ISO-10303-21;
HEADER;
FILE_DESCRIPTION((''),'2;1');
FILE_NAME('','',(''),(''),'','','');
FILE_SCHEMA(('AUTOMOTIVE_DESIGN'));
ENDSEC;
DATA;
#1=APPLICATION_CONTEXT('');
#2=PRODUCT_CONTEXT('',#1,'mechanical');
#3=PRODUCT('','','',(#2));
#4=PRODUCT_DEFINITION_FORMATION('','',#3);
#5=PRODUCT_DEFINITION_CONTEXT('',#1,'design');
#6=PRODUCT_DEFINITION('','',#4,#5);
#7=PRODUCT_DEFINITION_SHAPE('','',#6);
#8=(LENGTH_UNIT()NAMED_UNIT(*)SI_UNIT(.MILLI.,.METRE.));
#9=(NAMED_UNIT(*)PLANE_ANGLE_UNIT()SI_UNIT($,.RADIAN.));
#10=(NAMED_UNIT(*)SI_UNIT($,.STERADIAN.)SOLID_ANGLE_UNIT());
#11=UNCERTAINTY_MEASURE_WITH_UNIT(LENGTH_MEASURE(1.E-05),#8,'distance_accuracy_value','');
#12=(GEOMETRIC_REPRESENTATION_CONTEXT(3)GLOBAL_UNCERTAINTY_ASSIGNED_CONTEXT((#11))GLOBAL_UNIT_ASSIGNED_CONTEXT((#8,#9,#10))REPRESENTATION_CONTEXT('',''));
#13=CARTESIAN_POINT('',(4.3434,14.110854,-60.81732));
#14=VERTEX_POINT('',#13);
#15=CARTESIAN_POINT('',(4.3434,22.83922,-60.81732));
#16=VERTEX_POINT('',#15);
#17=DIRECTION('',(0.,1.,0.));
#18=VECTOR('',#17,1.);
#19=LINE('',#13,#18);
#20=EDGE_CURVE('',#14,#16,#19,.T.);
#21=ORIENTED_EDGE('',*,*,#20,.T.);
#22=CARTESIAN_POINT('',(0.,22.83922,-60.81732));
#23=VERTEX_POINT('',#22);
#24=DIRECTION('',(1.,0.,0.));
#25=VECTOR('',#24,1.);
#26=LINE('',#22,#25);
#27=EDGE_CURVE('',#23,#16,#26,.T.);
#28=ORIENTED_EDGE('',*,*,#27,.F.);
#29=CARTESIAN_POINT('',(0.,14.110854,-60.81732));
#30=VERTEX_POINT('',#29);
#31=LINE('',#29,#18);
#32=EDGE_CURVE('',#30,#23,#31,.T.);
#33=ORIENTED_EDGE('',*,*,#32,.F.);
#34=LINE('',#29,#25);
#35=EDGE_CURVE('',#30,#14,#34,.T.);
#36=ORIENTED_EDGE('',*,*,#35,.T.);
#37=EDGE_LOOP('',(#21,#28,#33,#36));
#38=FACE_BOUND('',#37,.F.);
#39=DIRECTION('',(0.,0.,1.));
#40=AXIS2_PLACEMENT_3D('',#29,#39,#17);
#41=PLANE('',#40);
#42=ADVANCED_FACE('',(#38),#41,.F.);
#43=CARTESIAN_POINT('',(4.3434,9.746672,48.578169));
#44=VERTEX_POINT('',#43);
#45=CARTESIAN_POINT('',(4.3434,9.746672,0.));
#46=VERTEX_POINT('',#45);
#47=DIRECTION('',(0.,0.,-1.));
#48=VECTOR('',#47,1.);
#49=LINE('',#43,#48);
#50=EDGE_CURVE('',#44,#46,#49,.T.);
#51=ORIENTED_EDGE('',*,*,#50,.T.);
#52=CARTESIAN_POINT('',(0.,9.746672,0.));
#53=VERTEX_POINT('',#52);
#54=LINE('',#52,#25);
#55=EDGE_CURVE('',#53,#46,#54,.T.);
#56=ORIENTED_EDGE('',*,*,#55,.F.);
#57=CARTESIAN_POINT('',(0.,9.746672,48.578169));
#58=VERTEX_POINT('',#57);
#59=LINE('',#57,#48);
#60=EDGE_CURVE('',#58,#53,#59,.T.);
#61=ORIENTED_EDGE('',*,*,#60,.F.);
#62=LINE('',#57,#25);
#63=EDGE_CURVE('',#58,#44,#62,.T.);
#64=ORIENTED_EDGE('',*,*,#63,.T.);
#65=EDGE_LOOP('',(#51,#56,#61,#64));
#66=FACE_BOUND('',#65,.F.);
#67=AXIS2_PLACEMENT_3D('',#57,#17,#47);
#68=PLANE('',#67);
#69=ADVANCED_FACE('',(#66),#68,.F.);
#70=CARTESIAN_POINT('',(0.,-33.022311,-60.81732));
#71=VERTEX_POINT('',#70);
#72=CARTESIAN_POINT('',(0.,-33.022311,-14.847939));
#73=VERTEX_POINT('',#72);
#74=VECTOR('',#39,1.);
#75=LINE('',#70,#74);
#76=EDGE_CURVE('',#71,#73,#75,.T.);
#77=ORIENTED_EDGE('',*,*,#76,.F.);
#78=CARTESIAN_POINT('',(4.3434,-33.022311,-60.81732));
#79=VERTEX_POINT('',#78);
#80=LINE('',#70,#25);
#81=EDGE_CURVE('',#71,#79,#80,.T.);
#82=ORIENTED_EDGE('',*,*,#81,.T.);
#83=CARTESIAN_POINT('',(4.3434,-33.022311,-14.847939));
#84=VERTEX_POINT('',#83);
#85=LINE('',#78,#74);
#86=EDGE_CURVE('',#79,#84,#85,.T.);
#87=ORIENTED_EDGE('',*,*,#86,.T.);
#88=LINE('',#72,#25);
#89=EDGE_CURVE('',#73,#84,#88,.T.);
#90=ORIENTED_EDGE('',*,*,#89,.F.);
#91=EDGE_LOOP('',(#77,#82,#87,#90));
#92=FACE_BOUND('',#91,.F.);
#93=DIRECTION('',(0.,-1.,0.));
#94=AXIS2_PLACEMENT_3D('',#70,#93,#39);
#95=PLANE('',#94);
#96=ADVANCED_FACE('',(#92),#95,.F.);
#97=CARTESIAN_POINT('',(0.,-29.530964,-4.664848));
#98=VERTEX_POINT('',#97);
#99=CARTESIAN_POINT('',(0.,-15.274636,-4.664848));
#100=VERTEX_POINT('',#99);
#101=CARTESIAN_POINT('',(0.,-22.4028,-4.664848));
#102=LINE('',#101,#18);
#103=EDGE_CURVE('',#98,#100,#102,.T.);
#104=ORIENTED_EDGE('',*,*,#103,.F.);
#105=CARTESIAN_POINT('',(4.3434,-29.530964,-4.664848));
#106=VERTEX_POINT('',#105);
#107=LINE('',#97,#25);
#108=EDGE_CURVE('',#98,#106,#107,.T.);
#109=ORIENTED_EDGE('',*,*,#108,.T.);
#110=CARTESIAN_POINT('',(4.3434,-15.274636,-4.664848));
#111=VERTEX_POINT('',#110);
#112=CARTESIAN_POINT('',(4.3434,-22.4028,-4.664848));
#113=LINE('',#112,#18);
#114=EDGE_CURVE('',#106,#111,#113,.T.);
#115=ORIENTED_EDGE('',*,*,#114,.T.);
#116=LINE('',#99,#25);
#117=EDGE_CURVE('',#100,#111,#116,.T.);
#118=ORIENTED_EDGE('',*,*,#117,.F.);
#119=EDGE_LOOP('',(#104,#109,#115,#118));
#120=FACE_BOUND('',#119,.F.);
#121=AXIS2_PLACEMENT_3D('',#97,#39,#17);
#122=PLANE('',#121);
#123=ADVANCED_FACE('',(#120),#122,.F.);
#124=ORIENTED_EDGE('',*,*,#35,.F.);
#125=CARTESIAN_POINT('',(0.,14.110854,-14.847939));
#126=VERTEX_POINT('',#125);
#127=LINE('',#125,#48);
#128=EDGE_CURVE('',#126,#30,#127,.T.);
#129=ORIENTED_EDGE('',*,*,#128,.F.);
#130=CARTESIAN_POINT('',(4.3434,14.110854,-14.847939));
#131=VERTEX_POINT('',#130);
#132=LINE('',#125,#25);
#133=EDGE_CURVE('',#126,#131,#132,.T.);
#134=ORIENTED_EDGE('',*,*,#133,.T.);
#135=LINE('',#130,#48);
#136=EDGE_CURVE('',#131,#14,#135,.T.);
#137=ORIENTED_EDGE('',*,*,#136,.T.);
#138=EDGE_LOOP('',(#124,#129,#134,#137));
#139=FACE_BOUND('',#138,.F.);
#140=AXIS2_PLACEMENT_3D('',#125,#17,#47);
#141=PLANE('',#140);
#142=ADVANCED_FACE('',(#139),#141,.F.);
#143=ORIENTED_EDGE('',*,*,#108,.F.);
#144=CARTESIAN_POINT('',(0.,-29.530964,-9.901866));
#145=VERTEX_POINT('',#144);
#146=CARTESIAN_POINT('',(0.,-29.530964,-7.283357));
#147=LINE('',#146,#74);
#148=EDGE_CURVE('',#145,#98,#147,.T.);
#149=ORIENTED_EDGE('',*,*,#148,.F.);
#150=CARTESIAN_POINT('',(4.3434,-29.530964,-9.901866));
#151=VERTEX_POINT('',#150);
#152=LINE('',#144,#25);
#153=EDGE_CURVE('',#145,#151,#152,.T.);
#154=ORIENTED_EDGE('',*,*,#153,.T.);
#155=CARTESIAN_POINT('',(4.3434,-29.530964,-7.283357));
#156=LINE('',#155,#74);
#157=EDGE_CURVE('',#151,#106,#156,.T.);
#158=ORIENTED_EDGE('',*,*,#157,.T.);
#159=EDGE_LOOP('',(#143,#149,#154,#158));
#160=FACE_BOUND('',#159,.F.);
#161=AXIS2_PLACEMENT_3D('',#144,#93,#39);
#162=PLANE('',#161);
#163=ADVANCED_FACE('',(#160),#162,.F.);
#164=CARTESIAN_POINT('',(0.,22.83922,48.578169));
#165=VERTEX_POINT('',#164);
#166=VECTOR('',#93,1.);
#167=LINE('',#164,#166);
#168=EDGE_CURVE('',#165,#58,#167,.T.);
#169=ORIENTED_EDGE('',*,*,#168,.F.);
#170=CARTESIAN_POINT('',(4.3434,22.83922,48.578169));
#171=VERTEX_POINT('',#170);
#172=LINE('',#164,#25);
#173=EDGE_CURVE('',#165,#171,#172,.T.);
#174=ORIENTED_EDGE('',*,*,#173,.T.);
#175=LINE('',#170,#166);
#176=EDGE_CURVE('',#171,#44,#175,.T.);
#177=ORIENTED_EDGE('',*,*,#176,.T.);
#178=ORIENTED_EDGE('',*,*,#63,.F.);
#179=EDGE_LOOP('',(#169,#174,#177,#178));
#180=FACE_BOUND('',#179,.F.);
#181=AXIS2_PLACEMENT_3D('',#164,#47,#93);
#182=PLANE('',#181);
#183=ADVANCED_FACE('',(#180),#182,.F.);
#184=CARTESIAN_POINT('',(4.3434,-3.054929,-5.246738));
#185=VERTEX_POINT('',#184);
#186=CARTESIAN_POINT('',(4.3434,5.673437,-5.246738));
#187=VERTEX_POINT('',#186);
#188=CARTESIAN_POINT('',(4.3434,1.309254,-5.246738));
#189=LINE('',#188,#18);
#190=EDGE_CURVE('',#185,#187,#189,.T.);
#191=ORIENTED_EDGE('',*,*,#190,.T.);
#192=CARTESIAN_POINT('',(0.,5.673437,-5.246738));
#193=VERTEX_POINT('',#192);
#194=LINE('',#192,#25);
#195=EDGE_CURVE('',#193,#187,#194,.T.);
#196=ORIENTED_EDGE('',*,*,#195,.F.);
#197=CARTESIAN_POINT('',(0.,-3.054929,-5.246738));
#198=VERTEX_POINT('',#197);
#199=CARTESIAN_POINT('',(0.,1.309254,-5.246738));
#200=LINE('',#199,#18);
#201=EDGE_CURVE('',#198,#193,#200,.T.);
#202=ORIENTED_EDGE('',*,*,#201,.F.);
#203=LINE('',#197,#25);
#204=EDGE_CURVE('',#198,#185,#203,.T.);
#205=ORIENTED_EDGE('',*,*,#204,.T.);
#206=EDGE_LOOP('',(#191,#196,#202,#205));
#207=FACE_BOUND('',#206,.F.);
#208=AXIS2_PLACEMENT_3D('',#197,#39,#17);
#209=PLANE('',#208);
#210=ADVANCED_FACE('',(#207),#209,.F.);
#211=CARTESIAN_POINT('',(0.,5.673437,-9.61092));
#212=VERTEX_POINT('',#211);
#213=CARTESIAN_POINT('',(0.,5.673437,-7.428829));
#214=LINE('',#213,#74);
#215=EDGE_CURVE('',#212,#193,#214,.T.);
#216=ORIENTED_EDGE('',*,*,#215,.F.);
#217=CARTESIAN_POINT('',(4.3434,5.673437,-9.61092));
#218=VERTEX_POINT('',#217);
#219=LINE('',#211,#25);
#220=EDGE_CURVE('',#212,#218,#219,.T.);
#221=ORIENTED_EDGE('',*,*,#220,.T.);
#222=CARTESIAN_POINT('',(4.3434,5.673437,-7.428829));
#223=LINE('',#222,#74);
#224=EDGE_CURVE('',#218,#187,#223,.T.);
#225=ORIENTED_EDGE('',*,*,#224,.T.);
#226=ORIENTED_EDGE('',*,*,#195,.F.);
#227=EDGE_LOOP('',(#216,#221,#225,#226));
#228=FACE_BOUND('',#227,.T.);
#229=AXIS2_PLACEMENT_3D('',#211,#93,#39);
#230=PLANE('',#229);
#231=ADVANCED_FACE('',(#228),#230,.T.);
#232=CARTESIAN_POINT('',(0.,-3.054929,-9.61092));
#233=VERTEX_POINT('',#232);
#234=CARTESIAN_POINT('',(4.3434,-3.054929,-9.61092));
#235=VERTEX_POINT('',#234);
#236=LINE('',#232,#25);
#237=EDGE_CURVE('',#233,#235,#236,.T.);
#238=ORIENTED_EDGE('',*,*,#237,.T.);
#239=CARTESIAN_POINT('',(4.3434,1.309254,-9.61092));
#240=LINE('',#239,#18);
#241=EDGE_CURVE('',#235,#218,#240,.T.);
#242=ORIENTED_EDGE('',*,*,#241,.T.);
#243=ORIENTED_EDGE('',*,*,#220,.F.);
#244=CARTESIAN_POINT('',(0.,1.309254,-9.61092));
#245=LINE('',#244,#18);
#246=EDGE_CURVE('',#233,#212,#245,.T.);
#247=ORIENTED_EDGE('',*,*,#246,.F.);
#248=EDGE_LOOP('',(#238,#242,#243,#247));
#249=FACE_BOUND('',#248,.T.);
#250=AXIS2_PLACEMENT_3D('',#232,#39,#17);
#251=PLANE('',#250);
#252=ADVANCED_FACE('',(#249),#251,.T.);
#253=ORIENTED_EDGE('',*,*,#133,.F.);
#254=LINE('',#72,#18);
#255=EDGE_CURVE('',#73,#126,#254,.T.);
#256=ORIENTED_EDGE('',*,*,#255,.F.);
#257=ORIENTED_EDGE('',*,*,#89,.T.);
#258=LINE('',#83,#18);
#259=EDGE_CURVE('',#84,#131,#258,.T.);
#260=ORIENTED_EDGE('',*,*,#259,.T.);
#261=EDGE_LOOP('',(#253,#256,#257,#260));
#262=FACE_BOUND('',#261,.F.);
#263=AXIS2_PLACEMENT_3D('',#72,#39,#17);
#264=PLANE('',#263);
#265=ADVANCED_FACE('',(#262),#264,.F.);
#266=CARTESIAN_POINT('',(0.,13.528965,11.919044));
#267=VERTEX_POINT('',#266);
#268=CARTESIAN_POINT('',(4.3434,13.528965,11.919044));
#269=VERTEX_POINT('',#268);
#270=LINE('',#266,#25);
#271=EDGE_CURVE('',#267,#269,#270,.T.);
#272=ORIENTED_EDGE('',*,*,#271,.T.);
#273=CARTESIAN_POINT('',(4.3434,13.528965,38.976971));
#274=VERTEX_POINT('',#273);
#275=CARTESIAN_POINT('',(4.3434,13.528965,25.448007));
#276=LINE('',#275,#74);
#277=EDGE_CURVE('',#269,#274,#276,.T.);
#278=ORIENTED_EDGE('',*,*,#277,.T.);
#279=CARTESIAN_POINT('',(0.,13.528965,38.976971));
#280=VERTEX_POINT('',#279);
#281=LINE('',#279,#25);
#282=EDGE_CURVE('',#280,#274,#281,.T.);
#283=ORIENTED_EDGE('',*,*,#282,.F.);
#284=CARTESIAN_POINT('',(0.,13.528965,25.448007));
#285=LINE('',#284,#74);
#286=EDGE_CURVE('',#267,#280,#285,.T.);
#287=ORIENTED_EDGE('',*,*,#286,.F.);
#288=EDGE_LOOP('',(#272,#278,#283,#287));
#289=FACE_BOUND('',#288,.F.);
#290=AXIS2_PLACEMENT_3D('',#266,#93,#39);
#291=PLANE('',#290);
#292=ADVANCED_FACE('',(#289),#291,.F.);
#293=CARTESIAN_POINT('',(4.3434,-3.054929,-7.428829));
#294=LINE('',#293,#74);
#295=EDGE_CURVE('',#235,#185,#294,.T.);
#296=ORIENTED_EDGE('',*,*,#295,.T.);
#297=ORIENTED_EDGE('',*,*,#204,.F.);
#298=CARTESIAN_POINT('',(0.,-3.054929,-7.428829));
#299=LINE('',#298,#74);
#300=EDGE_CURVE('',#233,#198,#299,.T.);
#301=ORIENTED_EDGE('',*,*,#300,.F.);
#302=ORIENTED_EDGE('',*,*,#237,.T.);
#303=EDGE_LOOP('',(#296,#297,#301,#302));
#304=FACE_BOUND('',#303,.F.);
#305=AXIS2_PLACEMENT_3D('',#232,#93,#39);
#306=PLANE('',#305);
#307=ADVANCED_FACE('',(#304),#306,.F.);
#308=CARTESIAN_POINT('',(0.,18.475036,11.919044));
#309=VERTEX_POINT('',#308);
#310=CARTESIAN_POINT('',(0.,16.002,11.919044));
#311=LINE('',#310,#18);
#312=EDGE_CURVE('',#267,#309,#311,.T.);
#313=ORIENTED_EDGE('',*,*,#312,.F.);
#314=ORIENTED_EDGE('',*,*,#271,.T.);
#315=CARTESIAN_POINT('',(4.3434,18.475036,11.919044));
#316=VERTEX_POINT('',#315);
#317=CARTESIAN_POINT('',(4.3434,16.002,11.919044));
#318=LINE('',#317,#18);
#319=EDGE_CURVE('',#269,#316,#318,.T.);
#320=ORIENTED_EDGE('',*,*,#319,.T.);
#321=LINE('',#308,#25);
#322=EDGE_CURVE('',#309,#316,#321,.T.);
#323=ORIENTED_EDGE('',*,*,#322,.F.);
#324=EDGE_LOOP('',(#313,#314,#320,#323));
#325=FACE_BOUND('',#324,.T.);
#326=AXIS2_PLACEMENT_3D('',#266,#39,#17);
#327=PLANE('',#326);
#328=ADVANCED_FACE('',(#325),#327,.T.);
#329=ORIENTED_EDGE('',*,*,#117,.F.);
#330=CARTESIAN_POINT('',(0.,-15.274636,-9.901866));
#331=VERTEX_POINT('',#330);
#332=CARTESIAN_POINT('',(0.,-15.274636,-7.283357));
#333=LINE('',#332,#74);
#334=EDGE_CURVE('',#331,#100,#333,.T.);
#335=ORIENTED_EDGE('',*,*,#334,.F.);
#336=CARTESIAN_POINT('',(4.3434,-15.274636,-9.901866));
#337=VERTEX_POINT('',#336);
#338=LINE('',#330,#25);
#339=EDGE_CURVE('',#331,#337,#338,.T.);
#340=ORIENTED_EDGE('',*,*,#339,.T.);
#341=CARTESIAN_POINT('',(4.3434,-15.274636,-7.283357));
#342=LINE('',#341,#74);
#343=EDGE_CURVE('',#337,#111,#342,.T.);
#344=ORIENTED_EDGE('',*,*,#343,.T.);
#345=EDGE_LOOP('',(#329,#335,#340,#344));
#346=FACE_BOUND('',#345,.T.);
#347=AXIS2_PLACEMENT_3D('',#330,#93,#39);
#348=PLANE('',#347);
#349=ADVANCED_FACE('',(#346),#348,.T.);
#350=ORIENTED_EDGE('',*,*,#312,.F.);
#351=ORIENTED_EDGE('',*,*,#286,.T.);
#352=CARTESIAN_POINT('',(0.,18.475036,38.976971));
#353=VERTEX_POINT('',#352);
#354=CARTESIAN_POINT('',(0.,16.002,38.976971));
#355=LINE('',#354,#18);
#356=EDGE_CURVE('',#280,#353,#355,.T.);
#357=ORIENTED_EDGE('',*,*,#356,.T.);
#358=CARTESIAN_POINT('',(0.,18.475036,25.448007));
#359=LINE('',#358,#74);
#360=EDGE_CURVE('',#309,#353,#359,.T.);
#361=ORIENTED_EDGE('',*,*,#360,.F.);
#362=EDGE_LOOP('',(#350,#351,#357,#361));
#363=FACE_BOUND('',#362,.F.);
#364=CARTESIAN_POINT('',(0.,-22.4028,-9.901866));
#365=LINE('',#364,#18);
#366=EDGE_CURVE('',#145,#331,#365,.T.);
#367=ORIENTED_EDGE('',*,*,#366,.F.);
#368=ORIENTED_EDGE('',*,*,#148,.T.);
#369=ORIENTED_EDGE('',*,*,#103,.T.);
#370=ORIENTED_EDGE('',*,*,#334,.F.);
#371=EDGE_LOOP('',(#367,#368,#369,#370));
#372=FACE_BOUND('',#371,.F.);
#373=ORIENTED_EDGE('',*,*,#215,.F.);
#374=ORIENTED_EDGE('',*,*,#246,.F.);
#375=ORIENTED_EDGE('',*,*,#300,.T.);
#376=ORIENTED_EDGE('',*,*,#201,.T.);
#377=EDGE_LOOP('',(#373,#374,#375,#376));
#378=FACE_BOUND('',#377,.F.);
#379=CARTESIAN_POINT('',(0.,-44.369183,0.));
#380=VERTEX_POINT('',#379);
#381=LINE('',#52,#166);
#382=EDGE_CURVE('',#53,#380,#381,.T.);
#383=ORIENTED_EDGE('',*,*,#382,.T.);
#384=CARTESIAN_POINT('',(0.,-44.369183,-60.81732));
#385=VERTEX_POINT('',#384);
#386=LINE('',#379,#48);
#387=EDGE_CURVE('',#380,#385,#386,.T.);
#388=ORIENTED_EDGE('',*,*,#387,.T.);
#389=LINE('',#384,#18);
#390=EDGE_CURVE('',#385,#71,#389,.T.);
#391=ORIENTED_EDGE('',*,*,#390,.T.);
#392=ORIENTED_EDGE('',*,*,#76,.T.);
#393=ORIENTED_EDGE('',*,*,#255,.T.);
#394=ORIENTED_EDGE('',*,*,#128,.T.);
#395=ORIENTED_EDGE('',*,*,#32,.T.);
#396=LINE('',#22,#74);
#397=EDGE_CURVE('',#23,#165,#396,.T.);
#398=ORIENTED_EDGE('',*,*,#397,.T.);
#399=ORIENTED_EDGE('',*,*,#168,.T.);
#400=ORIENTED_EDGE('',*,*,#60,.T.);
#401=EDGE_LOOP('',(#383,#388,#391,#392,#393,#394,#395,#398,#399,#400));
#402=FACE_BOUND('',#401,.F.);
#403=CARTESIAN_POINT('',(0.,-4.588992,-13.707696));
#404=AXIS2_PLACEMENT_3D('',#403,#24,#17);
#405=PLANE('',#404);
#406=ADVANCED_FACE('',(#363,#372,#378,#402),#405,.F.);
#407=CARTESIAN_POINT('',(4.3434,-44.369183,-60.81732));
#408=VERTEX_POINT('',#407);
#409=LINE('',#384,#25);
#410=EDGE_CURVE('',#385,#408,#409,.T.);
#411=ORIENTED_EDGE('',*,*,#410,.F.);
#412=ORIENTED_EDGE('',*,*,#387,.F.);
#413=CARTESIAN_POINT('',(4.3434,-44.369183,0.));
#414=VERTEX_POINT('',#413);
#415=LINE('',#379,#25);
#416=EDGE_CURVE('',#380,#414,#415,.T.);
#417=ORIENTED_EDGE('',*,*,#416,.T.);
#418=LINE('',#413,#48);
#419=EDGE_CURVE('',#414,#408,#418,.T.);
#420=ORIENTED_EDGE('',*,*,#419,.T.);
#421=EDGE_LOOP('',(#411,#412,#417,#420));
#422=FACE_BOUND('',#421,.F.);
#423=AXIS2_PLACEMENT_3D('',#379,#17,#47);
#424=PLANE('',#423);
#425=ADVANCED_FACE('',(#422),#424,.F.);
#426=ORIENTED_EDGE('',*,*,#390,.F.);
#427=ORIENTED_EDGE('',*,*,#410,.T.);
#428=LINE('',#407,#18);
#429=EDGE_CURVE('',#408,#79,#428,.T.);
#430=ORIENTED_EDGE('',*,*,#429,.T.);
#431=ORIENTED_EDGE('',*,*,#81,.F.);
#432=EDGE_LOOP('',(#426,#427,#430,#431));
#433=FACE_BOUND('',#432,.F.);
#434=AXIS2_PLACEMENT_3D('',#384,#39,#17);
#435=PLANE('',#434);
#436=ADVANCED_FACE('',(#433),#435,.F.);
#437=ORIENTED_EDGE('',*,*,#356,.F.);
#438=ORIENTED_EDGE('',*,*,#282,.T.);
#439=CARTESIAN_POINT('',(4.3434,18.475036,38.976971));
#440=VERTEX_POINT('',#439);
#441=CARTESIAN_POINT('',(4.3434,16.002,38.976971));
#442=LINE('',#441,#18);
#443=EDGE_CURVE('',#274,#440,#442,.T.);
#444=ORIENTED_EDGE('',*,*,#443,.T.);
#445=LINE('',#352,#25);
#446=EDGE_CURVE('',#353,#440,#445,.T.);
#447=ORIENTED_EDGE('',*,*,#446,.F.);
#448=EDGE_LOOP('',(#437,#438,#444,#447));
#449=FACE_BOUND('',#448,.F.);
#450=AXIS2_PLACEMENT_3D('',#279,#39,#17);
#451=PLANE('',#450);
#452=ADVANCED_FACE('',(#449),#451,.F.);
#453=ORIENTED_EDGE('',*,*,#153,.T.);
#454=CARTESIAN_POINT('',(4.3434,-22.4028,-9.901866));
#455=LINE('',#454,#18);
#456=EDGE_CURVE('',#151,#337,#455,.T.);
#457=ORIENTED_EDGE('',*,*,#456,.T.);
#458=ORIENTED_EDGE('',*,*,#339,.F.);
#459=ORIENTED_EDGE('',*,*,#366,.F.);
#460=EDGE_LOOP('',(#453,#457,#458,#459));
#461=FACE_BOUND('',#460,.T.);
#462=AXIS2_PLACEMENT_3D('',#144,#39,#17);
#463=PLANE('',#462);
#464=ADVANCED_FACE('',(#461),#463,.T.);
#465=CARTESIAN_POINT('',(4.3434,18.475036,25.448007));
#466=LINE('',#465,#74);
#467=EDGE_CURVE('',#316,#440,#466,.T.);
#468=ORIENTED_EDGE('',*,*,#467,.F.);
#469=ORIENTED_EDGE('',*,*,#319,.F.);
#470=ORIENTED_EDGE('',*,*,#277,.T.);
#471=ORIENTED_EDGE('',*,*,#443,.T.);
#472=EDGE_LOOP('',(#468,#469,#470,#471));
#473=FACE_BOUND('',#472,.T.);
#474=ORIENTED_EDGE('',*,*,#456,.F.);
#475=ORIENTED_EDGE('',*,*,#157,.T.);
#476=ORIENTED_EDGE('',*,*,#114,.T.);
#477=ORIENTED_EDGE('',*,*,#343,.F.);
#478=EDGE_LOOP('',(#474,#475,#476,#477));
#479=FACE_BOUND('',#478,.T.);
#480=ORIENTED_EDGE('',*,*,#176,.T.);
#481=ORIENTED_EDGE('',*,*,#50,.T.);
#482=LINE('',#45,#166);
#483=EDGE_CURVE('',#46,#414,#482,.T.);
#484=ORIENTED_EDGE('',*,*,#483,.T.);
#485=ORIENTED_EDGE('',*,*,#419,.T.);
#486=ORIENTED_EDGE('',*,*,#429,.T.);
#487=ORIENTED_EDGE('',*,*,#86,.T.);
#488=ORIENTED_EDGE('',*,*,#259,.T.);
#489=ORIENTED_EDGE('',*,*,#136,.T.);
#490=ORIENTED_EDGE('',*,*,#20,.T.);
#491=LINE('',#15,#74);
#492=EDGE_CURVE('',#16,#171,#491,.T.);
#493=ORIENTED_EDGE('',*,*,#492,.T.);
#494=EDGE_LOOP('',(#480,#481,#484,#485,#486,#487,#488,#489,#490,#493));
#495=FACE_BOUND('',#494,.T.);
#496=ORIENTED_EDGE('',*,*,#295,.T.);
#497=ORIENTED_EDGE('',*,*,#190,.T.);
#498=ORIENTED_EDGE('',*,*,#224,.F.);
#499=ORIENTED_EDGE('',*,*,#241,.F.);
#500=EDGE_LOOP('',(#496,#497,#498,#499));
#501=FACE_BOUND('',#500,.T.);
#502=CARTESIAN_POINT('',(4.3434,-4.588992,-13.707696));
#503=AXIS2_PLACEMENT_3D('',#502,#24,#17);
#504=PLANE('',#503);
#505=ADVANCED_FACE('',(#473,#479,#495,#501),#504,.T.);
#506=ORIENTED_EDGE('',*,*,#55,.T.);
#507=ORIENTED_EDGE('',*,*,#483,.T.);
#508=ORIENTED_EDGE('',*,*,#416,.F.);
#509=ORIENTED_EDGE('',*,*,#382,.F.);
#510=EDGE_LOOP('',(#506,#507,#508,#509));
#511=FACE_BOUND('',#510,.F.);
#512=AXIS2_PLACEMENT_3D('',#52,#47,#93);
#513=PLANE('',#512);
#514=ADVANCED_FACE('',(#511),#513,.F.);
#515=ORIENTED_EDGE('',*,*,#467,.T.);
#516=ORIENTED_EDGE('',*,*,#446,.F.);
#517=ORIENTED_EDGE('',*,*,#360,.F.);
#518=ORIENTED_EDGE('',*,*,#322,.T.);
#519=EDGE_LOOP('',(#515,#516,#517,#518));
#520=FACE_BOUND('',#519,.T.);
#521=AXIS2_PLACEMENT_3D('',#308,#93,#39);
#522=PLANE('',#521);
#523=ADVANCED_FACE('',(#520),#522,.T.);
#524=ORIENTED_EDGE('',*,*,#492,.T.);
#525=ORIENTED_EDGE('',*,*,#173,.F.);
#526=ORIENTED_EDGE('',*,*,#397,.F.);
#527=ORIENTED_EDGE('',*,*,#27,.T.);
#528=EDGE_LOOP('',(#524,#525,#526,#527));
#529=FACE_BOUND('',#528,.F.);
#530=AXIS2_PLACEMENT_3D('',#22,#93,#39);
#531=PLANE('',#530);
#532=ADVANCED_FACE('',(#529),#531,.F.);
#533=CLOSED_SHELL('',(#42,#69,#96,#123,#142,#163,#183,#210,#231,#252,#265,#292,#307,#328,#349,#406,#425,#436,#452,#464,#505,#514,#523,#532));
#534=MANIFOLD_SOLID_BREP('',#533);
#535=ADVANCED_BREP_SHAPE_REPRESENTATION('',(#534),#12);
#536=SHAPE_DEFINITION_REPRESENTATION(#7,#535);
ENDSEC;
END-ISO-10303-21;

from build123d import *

# Parameters (mm, degrees)
F0_W     = 14.256329
F0_H     = 5.237018
F0_W_2   = 8.728366
F0_H_2   = 4.364182
F0_W_3   = 4.946071
F0_H_3   = 27.057927
F1_DEPTH = 4.3434


with BuildPart() as f1:
    # F0 (on Right) → F1 (new body)
    with BuildSketch(Plane.YZ):
        Polygon((22.83922, -60.81732), (22.83922, 48.578169), (9.746672, 48.578169), (9.746672, 0), (-44.369183, 0), (-44.369183, -60.81732), (-33.022311, -60.81732), (-33.022311, -14.847939), (14.110854, -14.847939), (14.110854, -60.81732), align=None)
        with Locations((-22.4028, -7.283357)):
            Rectangle(F0_W, F0_H, mode=Mode.SUBTRACT)
        with Locations((1.309254, -7.428829)):
            Rectangle(F0_W_2, F0_H_2, mode=Mode.SUBTRACT)
        with Locations((16.002, 25.448007)):
            Rectangle(F0_W_3, F0_H_3, mode=Mode.SUBTRACT)
    extrude(amount=F1_DEPTH)


solid = f1.part
